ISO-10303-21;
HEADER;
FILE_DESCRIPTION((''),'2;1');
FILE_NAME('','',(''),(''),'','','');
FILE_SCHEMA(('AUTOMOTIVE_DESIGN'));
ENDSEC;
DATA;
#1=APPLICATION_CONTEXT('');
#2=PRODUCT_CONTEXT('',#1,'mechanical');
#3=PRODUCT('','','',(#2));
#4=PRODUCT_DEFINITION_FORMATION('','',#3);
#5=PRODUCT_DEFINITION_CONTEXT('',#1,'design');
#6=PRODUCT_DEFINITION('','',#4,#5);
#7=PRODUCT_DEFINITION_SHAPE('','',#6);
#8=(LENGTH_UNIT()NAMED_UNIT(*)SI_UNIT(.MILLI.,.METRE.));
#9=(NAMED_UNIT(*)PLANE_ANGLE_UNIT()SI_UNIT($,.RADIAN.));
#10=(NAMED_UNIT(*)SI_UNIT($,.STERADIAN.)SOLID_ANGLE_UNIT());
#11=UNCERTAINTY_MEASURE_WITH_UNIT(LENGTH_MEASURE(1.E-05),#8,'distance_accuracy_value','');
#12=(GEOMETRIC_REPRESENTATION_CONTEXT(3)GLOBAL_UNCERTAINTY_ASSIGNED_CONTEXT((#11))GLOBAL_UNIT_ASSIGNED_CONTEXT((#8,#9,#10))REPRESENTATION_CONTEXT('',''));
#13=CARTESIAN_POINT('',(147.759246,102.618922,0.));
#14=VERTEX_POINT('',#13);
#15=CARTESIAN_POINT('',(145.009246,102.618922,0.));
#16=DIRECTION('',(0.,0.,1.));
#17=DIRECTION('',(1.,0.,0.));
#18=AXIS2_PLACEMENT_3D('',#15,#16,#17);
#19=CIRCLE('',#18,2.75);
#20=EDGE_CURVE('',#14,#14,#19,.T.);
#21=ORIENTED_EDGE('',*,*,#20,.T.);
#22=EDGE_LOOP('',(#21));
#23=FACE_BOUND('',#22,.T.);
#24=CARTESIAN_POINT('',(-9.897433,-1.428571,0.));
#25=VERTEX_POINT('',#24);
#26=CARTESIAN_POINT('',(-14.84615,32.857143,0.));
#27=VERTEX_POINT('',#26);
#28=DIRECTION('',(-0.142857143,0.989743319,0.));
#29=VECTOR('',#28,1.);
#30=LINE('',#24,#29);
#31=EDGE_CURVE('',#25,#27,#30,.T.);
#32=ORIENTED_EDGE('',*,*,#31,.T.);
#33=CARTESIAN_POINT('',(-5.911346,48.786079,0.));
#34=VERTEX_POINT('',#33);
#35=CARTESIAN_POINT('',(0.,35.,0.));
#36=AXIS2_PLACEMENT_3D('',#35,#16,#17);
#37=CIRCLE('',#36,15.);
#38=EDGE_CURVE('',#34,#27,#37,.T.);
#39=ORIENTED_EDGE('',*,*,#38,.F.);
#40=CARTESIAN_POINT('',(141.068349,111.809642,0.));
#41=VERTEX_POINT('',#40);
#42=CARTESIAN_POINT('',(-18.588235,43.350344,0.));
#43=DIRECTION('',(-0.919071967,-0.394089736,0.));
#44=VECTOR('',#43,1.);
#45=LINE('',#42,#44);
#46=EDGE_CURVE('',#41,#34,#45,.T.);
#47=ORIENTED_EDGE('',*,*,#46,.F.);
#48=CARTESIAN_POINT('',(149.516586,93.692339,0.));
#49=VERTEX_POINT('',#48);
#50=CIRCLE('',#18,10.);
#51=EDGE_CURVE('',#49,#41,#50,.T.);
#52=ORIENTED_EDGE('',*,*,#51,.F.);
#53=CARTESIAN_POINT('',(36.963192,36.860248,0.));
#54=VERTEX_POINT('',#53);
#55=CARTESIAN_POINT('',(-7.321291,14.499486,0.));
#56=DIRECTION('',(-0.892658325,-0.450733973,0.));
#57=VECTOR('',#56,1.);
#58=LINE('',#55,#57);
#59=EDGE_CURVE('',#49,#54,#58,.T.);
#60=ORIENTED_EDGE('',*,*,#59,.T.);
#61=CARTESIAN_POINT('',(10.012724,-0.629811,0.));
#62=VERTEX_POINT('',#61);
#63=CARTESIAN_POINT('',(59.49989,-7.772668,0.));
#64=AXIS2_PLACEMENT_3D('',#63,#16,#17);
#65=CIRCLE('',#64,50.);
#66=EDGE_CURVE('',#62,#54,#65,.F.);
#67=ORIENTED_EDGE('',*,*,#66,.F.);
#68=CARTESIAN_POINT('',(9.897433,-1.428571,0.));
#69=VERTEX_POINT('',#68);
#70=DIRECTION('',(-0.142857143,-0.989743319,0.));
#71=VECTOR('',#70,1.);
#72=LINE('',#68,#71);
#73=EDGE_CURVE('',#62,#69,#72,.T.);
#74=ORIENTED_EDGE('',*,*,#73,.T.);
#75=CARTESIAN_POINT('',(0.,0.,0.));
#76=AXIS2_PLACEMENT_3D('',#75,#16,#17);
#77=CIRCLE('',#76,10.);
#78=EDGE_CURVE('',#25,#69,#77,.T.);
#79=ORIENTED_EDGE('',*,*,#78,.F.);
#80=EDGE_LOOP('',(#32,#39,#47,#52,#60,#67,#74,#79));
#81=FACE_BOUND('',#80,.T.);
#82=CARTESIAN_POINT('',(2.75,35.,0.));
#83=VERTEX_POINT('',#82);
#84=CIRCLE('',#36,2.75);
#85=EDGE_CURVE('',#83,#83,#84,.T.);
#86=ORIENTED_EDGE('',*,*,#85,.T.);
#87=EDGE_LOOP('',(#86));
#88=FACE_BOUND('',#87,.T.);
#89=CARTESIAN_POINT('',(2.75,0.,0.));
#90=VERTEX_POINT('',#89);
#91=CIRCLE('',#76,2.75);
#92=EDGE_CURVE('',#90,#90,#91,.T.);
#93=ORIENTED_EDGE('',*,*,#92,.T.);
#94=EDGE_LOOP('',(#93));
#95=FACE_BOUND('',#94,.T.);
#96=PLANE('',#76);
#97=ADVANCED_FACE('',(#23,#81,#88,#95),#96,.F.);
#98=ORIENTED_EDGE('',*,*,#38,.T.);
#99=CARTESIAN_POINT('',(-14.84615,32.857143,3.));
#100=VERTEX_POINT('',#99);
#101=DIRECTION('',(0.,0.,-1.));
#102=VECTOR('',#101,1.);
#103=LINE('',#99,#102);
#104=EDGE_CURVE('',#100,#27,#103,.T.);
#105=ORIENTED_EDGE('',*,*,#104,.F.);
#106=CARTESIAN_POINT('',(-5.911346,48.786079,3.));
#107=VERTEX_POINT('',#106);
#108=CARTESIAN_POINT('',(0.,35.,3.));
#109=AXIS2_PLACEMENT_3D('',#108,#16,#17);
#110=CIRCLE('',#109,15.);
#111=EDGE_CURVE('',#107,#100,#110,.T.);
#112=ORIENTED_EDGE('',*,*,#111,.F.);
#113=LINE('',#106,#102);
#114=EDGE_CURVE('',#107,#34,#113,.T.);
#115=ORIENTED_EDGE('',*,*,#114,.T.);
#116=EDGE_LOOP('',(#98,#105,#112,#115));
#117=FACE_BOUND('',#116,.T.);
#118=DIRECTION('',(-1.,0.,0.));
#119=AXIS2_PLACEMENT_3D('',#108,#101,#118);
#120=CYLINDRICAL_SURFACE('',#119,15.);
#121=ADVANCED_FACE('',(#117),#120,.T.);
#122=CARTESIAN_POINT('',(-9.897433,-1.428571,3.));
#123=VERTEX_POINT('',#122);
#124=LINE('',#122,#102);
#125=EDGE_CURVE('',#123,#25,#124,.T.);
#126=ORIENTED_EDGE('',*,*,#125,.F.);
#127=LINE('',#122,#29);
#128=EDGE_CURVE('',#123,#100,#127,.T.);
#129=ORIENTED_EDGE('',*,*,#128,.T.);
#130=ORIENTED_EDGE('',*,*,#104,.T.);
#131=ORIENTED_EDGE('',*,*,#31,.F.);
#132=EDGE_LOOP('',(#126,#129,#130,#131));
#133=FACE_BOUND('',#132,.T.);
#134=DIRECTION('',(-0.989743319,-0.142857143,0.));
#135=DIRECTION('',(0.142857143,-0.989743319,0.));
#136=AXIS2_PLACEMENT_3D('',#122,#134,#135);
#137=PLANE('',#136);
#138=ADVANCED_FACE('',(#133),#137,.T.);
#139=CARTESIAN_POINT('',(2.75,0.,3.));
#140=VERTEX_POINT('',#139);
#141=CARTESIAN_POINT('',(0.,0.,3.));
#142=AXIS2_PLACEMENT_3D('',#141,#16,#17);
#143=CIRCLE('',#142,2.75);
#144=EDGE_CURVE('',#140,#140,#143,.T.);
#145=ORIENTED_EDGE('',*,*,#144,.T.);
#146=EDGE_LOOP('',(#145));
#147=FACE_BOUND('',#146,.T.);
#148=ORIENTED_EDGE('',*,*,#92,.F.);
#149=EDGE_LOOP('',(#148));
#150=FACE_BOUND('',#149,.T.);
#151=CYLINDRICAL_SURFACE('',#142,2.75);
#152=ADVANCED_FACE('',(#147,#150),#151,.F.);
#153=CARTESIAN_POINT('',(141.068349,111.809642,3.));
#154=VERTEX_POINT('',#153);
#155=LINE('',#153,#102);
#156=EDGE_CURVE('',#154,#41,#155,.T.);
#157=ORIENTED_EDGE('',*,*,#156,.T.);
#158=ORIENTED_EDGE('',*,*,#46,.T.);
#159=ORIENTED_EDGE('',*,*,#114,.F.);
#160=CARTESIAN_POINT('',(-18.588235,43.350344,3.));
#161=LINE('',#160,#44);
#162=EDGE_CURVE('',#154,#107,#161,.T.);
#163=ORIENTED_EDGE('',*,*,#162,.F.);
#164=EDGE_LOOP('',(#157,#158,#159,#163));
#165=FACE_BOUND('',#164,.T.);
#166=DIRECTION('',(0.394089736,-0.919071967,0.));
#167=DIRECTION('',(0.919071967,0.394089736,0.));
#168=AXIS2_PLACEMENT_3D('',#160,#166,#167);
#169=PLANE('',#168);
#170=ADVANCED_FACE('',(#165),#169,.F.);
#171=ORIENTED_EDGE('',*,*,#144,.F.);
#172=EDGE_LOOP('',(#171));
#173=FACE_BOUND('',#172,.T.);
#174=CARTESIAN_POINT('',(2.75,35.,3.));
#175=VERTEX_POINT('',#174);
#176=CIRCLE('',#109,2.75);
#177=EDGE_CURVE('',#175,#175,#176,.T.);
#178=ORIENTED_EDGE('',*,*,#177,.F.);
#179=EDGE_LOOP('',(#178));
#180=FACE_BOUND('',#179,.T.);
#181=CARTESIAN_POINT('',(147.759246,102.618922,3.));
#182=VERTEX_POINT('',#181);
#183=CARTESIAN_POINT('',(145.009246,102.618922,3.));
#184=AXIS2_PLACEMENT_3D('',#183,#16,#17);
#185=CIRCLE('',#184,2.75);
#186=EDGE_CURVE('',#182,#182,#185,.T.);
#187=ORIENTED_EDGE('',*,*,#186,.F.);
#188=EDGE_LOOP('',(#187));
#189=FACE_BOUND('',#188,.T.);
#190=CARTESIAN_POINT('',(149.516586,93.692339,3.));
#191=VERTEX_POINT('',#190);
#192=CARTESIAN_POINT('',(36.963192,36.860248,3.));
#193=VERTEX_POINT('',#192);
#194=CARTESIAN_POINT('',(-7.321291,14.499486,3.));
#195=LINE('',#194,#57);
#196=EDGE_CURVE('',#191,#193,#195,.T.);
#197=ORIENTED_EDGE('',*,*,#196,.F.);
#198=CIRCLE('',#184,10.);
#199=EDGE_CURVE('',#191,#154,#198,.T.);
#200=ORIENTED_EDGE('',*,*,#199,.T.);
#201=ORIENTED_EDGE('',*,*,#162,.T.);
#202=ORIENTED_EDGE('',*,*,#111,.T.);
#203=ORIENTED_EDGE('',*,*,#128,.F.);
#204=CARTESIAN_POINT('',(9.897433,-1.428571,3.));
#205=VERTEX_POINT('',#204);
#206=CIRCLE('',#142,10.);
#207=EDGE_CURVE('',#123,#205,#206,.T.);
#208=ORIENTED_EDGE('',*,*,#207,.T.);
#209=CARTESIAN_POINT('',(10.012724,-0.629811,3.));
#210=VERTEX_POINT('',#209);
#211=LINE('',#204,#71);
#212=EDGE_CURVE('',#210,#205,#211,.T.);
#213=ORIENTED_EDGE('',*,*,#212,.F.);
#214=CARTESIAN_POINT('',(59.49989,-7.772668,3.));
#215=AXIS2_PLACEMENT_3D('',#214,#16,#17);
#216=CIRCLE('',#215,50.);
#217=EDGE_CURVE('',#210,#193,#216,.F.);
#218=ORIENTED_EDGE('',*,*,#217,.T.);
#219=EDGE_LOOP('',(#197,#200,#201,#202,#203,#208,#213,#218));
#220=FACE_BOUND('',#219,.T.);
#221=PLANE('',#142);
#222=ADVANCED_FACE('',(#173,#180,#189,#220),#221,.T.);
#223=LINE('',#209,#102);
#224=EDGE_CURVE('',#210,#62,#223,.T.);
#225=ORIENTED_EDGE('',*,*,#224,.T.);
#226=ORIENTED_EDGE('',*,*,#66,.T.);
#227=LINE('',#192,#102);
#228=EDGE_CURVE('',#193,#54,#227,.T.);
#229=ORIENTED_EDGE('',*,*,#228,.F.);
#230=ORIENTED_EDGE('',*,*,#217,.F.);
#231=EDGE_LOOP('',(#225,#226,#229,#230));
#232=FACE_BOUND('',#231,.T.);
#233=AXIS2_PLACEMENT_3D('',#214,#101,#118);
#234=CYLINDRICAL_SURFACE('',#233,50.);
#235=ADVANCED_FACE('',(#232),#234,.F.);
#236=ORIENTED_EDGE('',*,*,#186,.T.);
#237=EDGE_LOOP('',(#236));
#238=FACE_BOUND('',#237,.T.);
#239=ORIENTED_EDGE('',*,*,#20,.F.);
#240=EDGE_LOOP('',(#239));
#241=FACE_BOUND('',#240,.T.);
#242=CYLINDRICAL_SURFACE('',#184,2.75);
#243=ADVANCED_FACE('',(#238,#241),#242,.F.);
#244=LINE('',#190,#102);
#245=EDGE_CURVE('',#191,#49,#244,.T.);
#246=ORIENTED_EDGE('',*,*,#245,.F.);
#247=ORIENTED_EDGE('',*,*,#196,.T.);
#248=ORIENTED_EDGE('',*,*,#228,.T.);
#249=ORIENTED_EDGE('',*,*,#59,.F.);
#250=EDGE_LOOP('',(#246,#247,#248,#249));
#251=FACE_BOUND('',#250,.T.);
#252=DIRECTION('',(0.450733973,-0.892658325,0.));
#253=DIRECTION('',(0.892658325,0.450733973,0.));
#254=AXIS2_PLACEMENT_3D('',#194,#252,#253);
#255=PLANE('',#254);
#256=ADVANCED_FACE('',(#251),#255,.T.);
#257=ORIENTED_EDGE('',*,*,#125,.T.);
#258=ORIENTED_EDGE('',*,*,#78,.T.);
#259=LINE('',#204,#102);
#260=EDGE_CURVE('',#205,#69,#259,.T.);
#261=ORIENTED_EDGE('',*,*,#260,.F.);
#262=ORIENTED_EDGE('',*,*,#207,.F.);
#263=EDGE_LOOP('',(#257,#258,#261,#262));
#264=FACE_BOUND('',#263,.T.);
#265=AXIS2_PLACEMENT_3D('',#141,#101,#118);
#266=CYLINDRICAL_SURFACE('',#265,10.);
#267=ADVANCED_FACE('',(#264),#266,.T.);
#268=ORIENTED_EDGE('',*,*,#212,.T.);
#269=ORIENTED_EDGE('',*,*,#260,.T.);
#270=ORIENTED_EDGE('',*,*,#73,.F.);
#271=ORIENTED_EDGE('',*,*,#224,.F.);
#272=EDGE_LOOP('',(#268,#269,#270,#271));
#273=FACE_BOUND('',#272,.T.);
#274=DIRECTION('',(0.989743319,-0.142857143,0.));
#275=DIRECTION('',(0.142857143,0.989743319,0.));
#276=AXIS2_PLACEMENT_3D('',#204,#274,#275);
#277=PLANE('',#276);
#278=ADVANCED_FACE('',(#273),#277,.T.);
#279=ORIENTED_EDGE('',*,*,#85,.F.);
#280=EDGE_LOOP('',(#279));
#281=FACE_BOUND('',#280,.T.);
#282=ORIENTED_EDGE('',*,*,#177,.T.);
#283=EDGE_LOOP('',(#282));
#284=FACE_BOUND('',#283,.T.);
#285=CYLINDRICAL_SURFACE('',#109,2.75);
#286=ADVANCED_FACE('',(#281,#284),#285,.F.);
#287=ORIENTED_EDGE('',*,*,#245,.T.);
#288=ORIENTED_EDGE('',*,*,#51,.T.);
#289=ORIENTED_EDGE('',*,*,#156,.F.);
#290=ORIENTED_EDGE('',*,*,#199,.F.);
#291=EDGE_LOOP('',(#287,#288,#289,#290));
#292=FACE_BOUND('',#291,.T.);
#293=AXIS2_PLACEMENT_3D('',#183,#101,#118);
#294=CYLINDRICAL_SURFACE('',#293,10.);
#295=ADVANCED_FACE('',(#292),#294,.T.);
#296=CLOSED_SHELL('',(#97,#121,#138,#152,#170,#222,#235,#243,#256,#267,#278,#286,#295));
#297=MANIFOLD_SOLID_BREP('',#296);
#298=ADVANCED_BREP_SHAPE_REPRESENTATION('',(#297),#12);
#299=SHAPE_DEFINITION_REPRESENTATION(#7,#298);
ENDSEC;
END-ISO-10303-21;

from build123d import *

# Parameters (mm, degrees)
ESQUISSE4_R        = 10
ESQUISSE4_R_2      = 15
BOSS_EXTRU_1_DEPTH = 3
D_GAGEMENT_M51_D   = 5.5


with BuildPart() as part:
    # Esquisse4 → Boss.-Extru.1 (new body)
    with BuildSketch(Plane.XY):
        with Locations((145.009245926, 102.618921879)):
            Circle(ESQUISSE4_R)
        with BuildLine():
            Line((36.96319164, 36.860248406), (149.516585657, 93.692338627))
            ThreePointArc((149.516585657, 93.692338627), (135.946168055, 98.392739261), (141.068348562, 111.809641544))
            Line((141.068348562, 111.809641544), (-5.911346046, 48.786079498))
            ThreePointArc((-5.911346046, 48.786079498), (8.25620401, 47.523381945), (15, 35))
            ThreePointArc((15, 35), (14.961488006, 33.925813491), (14.846149779, 32.857142857))
            Line((14.846149779, 32.857142857), (13.730743914, 25.129384342))
            Line((13.730743914, 25.129384342), (36.96319164, 36.860248406))
        make_face()
        with Locations((0, 35)):
            Circle(ESQUISSE4_R_2)
        with BuildLine():
            Line((10.012724365, -0.629810709), (13.730743914, 25.129384342))
            Line((13.730743914, 25.129384342), (6.761009597, 21.610125123))
            ThreePointArc((6.761009597, 21.610125123), (-6.925765295, 21.69459602), (-14.846149779, 32.857142857))
            Line((-14.846149779, 32.857142857), (-9.897433186, -1.428571429))
            ThreePointArc((-9.897433186, -1.428571429), (-0.716124339, 9.974325337), (10, 0))
            ThreePointArc((10, 0), (9.974325337, -0.716124339), (9.897433186, -1.428571429))
            Line((9.897433186, -1.428571429), (10.012724365, -0.629810709))
        make_face()
        Circle(ESQUISSE4_R)
        with BuildLine():
            ThreePointArc((10.012724365, -0.629810709), (18.9014248, 21.412338562), (36.96319164, 36.860248406))
            Line((36.96319164, 36.860248406), (13.730743914, 25.129384342))
            Line((13.730743914, 25.129384342), (10.012724365, -0.629810709))
        make_face()
        with BuildLine():
            Line((6.761009597, 21.610125123), (13.730743914, 25.129384342))
            Line((13.730743914, 25.129384342), (14.846149779, 32.857142857))
            ThreePointArc((14.846149779, 32.857142857), (12.179539649, 26.244498076), (6.761009597, 21.610125123))
        make_face()
    extrude(amount=BOSS_EXTRU_1_DEPTH)

    # Dégagement M51 (through all)
    with Locations(Plane(origin=(0, 0, 3), x_dir=(-1, 0, 0), z_dir=(0, 0, 1))):
        with Locations((-145.009245926, -102.618921879), (0, -35), (0, 0)):
            Hole(D_GAGEMENT_M51_D / 2)


solid = part.part
